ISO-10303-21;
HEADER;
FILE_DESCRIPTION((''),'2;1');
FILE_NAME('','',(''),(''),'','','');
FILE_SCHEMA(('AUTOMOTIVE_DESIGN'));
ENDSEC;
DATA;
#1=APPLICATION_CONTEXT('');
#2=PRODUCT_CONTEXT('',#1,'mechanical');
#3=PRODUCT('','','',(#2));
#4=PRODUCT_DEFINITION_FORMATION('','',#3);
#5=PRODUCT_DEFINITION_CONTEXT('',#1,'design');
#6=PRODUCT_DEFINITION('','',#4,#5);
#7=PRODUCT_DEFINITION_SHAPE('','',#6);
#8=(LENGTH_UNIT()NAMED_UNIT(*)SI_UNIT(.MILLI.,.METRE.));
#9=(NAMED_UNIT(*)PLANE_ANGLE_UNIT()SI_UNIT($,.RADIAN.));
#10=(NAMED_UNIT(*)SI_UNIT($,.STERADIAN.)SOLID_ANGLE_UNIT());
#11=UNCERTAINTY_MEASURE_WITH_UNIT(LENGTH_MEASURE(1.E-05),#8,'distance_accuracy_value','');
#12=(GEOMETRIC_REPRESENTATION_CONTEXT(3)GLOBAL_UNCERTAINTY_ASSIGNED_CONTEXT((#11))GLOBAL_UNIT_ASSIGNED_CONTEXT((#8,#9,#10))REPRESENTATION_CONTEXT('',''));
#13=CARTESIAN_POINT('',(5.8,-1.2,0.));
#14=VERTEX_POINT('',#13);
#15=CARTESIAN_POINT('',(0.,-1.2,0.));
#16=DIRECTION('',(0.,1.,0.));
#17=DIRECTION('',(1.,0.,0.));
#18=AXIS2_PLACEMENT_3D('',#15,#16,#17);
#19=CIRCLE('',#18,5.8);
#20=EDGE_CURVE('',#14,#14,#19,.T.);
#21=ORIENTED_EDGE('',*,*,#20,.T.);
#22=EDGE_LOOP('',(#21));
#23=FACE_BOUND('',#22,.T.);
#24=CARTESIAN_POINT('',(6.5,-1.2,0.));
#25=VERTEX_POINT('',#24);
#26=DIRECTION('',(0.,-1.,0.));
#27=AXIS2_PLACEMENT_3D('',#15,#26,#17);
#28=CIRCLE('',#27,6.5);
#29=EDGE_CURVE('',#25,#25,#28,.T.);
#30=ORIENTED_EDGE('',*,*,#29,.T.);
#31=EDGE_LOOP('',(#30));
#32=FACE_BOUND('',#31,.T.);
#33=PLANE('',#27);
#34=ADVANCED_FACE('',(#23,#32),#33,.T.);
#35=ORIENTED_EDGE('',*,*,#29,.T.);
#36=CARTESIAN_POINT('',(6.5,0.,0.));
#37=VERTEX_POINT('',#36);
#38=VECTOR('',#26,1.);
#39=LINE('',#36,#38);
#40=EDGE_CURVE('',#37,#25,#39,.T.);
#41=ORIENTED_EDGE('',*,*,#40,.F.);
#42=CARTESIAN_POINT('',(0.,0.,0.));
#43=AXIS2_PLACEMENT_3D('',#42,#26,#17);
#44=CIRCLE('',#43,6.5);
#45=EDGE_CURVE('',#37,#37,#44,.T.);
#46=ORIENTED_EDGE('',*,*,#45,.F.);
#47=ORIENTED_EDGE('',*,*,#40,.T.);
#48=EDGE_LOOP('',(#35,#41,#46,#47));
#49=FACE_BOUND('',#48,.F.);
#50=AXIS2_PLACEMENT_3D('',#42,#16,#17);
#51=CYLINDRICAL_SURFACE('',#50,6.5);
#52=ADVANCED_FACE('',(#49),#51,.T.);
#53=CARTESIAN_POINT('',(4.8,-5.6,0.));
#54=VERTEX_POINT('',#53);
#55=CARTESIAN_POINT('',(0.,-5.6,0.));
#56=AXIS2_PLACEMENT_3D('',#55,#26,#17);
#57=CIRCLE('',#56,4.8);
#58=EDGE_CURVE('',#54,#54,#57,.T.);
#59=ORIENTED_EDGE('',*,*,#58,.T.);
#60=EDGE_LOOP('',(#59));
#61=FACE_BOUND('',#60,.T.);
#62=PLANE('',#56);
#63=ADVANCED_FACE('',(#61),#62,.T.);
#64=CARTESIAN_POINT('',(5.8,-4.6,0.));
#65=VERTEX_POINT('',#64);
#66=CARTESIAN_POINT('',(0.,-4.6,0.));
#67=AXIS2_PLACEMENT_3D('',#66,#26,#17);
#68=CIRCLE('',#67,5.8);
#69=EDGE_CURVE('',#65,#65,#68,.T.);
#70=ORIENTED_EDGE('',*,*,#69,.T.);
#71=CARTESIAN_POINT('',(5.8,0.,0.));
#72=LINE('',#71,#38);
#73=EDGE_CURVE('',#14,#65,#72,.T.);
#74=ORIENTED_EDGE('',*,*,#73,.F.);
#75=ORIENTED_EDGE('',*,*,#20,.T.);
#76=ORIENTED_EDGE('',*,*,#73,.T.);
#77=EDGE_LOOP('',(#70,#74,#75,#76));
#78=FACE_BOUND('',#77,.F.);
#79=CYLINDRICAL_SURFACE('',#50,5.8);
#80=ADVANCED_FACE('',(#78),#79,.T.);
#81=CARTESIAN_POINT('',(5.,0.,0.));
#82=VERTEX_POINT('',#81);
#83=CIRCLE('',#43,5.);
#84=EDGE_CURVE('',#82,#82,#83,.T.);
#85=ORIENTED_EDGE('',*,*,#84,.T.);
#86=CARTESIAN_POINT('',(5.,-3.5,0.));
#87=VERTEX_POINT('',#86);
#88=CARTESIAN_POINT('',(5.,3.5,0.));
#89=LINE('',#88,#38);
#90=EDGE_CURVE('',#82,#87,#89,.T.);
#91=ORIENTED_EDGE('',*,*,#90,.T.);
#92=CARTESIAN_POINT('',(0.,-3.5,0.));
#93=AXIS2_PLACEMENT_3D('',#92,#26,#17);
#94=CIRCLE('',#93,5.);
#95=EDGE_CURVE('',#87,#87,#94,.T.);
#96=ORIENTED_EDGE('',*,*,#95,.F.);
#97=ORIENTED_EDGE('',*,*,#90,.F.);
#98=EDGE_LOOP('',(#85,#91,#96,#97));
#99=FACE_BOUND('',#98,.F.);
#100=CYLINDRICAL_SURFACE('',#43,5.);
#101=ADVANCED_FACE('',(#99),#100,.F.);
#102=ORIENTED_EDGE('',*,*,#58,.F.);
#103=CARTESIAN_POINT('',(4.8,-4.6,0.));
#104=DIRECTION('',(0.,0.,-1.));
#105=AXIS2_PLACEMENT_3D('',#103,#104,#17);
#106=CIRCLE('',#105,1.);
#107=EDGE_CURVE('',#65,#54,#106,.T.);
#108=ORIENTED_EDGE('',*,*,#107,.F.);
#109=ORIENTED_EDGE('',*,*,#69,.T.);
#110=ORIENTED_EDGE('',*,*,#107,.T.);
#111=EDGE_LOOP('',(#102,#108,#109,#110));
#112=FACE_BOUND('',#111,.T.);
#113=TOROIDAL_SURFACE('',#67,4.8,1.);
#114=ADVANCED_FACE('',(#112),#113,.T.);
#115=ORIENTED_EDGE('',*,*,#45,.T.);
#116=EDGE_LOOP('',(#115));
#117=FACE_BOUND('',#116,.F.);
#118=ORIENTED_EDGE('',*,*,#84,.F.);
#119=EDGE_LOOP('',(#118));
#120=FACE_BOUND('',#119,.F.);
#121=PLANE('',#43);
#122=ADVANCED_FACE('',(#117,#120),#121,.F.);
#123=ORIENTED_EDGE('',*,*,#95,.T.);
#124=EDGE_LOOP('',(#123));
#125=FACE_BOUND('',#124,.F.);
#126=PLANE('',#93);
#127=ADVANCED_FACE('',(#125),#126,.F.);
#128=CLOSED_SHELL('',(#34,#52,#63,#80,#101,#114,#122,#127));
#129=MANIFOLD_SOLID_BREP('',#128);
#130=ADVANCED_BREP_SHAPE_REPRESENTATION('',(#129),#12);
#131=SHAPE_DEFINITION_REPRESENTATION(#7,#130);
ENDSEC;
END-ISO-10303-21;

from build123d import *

# Parameters (mm, degrees)
SKETCH070_R  = 6.5
PAD_DEPTH    = 1.2
SKETCH069_R  = 5.8
PAD001_DEPTH = 5.6
SKETCH071_R  = 5
POCKET_DEPTH = 3.5
FILLET_R     = 1


with BuildPart() as part:
    # Sketch070 → Pad (new body)
    with BuildSketch(Plane.XZ):
        Circle(SKETCH070_R)
    extrude(amount=PAD_DEPTH)

    # Sketch069 → Pad001 (join)
    with BuildSketch(Plane.XZ):
        Circle(SKETCH069_R)
    extrude(amount=PAD001_DEPTH)

    # Sketch071 → Pocket (cut, symmetric)
    with BuildSketch(Plane.XZ):
        Circle(SKETCH071_R)
    extrude(amount=POCKET_DEPTH, both=True, mode=Mode.SUBTRACT)

    # Fillet
    fillet_edges = [part.edges().sort_by_distance(p)[0] for p in [
        (-5.8, -5.6, 0),
    ]]
    fillet(fillet_edges, radius=FILLET_R)


solid = part.part
